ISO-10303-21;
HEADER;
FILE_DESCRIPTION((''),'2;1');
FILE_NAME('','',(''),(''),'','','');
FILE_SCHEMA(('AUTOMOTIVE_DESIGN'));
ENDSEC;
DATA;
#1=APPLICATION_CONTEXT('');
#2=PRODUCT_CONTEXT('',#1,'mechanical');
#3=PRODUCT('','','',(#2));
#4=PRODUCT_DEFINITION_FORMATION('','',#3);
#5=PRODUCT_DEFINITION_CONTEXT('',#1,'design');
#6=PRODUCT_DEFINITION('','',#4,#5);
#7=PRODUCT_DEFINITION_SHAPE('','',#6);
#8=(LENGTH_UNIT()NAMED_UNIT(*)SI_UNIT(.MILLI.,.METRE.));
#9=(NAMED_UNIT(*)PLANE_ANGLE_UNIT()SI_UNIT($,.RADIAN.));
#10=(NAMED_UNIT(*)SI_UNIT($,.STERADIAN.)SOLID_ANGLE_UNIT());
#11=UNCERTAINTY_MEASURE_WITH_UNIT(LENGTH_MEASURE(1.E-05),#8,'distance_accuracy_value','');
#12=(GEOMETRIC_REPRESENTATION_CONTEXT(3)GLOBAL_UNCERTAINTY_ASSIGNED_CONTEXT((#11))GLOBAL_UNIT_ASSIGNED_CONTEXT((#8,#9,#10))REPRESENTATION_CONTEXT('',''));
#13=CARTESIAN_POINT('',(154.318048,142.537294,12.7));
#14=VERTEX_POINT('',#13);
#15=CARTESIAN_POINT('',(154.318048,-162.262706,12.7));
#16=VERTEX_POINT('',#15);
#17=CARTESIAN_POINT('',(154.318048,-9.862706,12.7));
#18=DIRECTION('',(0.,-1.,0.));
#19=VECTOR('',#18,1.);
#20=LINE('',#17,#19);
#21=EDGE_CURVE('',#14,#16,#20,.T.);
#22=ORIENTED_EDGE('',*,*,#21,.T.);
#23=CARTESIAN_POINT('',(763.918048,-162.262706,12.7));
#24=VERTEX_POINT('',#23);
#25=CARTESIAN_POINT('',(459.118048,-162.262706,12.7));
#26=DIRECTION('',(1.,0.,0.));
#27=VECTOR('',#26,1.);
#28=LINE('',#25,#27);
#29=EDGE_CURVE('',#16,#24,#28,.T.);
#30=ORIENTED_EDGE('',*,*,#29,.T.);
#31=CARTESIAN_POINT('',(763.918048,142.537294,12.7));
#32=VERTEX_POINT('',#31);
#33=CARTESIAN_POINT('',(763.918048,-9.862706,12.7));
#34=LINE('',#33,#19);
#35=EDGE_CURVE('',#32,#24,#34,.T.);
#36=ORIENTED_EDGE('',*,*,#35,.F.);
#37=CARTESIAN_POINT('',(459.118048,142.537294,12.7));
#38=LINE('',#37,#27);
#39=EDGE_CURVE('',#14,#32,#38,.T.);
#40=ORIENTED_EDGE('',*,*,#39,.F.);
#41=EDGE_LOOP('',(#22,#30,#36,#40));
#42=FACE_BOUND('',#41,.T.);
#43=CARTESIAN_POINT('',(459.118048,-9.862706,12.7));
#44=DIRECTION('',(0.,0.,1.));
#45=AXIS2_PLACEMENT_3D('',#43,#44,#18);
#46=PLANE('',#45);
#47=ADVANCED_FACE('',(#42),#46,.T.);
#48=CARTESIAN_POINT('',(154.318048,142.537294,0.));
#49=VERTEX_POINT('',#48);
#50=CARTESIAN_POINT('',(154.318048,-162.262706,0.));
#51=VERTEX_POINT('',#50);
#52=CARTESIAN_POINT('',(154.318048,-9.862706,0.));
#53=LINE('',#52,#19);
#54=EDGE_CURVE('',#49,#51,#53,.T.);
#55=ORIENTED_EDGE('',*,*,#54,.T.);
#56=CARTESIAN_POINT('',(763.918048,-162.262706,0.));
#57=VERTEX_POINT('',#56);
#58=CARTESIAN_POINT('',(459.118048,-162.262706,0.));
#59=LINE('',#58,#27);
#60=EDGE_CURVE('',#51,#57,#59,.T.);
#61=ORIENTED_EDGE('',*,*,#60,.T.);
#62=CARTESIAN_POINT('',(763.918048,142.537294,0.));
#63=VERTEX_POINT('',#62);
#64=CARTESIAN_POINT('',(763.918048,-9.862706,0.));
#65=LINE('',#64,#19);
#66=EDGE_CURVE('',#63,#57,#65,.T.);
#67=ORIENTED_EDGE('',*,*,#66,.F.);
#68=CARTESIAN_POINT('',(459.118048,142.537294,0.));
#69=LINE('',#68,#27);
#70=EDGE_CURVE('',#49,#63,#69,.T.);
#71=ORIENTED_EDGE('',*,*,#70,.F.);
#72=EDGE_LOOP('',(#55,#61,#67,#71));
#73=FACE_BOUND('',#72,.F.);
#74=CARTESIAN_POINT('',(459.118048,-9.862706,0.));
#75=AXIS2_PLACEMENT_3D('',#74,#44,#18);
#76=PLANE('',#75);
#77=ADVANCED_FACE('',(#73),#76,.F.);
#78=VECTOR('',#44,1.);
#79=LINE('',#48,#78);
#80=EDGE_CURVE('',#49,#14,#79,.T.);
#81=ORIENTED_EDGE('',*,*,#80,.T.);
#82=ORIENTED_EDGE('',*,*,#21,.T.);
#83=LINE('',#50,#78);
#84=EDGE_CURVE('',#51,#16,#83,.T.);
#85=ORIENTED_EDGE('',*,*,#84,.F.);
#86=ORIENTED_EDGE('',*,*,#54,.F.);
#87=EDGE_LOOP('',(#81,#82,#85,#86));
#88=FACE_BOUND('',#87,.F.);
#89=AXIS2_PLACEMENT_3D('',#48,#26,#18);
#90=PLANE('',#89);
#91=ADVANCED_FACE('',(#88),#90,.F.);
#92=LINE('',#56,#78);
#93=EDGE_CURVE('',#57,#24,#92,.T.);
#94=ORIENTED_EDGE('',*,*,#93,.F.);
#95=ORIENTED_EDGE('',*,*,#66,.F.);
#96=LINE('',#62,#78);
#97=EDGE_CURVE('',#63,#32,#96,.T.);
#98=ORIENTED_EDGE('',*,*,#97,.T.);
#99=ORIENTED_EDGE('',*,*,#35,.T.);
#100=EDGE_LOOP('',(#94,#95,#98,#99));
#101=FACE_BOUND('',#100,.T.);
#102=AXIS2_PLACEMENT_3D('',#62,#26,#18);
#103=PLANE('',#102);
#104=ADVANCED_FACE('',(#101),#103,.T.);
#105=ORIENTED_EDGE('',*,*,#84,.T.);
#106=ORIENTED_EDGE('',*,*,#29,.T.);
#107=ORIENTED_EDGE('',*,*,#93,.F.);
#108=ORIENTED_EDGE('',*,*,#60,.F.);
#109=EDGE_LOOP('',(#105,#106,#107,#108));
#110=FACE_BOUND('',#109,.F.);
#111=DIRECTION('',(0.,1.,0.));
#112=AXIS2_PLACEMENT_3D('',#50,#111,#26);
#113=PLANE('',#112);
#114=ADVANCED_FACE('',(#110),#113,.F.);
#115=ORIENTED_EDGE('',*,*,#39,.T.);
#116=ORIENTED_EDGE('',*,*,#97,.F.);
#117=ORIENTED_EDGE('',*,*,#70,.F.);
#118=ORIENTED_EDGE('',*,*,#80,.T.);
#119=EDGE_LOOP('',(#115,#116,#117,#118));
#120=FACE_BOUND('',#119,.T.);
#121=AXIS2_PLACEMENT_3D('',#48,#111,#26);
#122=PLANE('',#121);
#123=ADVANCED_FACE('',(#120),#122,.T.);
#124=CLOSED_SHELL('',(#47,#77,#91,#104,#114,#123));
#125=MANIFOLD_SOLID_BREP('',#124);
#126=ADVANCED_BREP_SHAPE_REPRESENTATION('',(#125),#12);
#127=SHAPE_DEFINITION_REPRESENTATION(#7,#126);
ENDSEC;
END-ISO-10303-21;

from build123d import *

# Parameters (mm, degrees)
F0_W     = 304.8
F0_H     = 609.6
F1_DEPTH = 12.7
F2_ANGLE = 90


with BuildPart() as f1:
    # F0 (on Top) → F1 (new body)
    with BuildSketch(Plane.XY):
        with Locations((1.9180476665, 142.5372937502)):
            Rectangle(F0_W, F0_H)
    extrude(amount=F1_DEPTH)


with BuildPart() as f1_1:
    # F2: moved
    add(f1.part.rotate(Axis((154.3180476665, -162.2627062498, 6.35), (0, 0, -1)), F2_ANGLE))


solid = f1_1.part
